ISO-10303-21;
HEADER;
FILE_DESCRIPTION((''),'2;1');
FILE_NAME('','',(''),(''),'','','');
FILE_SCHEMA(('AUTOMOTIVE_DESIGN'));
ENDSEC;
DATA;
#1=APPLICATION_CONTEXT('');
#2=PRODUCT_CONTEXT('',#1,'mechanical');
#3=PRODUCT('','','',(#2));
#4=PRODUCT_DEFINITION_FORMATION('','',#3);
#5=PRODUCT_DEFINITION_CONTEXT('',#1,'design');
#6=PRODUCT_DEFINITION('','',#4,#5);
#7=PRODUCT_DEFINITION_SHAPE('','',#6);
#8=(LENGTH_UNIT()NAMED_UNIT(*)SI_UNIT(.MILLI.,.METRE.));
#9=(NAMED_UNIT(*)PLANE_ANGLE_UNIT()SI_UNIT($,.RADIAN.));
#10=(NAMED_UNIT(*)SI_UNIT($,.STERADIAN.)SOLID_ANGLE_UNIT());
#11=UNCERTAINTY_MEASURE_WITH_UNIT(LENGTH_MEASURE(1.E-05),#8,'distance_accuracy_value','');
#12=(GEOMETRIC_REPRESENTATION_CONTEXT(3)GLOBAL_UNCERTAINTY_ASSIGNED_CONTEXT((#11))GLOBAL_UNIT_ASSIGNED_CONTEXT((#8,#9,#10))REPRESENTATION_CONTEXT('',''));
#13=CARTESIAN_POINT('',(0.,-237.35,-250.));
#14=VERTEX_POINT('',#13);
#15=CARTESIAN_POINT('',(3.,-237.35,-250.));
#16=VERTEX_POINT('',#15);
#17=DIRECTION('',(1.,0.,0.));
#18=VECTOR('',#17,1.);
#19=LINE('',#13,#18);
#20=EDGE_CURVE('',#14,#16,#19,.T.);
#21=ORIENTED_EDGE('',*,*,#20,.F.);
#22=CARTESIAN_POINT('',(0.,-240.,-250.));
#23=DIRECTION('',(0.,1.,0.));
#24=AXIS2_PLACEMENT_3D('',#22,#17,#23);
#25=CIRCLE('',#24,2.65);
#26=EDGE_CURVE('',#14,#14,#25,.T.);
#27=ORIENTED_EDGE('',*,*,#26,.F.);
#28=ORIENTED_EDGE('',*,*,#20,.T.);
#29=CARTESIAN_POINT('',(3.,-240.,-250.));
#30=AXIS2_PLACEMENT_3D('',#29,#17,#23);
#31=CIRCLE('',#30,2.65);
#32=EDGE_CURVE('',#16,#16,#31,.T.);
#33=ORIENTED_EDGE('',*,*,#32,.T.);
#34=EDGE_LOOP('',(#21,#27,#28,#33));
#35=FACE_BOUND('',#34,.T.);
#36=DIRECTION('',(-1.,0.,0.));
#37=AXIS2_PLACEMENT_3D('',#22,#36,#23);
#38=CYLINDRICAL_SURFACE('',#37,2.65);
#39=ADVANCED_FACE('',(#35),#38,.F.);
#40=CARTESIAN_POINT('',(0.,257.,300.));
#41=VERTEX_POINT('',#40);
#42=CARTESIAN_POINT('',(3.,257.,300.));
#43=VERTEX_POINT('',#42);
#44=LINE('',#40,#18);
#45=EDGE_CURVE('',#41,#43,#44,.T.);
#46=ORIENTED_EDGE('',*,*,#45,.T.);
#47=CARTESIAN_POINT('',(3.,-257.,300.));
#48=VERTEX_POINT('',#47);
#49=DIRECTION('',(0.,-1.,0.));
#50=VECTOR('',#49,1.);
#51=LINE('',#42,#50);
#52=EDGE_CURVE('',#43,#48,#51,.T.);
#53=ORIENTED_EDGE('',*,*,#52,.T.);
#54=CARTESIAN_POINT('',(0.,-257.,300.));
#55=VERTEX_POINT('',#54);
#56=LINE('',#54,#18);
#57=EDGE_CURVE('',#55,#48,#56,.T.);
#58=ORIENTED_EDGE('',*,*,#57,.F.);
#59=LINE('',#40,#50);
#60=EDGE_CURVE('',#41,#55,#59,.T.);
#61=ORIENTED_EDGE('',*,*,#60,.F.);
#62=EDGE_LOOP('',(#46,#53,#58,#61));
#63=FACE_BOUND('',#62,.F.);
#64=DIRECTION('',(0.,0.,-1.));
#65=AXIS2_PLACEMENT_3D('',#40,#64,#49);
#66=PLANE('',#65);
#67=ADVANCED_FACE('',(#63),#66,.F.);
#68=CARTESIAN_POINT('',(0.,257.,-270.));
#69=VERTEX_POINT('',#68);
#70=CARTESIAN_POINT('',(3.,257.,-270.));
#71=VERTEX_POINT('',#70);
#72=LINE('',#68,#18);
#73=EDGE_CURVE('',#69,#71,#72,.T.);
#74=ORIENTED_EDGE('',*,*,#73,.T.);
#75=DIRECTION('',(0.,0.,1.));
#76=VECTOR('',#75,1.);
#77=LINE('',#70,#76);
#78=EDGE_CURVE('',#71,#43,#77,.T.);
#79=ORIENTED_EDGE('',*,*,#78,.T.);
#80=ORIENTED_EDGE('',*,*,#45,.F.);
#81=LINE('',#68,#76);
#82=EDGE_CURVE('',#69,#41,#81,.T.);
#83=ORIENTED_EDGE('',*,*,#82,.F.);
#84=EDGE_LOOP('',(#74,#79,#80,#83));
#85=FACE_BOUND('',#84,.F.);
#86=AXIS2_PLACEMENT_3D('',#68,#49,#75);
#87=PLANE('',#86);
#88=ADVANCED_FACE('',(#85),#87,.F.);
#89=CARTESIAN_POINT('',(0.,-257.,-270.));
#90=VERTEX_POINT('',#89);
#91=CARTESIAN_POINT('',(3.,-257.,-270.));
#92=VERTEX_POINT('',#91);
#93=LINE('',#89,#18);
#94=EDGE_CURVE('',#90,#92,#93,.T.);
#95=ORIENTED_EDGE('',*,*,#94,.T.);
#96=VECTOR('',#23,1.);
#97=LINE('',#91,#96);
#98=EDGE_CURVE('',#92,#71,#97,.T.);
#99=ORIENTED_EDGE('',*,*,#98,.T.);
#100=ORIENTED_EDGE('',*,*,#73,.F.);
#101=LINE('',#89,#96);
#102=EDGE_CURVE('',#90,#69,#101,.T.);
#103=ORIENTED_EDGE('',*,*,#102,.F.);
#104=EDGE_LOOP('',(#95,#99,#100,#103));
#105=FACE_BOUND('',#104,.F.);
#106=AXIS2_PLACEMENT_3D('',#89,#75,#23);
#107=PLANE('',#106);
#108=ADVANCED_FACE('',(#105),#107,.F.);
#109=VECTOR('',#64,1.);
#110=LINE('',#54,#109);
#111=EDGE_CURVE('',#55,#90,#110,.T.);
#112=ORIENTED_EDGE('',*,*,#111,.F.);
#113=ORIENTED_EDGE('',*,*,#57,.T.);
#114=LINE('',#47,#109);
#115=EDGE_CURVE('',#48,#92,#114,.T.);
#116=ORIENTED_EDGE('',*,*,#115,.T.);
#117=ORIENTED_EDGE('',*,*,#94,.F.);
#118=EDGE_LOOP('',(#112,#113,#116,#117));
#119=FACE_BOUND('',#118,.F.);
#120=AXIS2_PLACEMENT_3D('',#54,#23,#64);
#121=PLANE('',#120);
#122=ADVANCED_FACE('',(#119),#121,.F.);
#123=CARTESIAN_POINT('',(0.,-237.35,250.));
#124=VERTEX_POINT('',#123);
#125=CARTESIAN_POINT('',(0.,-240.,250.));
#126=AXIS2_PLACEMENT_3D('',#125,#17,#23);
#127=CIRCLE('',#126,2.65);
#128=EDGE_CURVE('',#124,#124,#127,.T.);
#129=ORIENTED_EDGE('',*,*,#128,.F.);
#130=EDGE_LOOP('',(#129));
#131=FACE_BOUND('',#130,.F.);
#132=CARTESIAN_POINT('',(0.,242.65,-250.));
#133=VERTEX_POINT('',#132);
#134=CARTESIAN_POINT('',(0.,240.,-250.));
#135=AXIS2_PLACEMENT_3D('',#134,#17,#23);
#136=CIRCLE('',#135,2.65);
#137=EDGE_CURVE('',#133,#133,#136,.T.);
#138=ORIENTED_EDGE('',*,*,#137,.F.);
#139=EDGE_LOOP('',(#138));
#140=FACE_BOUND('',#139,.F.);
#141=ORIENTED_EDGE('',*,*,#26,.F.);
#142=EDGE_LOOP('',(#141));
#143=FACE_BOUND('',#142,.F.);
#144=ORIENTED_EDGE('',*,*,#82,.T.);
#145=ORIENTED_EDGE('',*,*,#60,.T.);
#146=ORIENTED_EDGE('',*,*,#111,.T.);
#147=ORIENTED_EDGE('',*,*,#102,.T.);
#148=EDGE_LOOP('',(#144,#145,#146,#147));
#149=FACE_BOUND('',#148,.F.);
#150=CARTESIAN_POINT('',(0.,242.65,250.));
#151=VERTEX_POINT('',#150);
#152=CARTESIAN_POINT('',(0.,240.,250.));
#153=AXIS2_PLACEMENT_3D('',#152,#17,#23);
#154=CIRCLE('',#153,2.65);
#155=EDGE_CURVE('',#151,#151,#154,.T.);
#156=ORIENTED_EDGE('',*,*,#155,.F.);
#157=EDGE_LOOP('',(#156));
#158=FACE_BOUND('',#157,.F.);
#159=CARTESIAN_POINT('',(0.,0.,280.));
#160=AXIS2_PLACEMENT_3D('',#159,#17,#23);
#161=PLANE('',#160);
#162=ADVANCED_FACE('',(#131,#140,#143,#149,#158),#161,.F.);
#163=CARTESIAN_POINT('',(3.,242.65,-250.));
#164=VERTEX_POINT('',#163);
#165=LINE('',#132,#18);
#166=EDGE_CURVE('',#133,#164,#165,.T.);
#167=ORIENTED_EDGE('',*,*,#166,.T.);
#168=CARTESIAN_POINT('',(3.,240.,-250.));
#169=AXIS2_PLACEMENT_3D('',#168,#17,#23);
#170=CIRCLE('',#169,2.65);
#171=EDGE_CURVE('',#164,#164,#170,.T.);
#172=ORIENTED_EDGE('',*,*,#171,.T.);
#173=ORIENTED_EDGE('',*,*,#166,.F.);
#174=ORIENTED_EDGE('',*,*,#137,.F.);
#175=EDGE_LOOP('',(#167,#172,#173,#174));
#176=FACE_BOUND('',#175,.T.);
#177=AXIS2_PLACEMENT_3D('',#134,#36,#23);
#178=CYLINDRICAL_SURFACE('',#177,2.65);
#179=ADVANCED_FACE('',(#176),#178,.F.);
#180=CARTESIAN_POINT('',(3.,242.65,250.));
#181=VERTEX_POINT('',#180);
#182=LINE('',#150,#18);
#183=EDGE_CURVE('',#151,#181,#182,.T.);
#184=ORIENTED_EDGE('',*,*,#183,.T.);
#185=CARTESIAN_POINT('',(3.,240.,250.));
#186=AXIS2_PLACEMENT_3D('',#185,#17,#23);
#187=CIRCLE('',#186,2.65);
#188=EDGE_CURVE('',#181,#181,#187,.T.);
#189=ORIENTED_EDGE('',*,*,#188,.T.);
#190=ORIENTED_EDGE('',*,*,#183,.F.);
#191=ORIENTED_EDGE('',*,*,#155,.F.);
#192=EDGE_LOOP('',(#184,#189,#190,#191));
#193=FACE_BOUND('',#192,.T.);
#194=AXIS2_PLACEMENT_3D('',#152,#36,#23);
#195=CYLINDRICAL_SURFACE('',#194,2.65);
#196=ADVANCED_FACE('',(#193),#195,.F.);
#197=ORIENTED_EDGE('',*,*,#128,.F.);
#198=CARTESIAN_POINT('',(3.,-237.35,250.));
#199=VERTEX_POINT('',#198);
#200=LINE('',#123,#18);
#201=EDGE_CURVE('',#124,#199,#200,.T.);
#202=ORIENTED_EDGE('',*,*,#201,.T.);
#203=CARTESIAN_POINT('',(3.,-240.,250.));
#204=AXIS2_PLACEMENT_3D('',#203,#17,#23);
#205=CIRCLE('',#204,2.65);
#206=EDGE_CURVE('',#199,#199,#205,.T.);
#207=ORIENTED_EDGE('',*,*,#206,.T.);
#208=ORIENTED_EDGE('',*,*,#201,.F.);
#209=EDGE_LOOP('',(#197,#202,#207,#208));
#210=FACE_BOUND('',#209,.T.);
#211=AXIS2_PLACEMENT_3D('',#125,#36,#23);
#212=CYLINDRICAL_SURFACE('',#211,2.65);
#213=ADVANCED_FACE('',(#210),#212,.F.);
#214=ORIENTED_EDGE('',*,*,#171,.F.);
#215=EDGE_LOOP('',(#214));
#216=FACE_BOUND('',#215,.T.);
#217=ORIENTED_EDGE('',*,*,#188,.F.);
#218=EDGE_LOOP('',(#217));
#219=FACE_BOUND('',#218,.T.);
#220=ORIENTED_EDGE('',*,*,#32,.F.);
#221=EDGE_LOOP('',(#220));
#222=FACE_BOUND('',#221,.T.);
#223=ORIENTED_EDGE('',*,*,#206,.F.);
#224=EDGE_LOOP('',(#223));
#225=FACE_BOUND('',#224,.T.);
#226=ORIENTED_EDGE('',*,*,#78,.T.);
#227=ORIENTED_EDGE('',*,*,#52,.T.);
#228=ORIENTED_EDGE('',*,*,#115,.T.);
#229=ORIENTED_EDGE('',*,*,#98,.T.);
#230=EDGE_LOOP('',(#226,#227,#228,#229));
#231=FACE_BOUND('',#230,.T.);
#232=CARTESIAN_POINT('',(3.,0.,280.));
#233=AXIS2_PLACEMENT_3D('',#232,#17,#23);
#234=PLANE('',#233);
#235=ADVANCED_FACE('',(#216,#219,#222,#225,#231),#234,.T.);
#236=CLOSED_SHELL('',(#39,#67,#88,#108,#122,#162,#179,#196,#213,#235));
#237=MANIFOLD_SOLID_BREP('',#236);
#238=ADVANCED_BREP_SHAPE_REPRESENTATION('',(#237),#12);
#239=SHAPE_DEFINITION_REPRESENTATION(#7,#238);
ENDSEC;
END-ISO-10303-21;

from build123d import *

# Parameters (mm, degrees)
F0_W     = 500
F0_H     = 40
F0_R     = 2.65
F1_DEPTH = 3


with BuildPart() as f1:
    # F0 (on Right) → F1 (new body)
    with BuildSketch(Plane.YZ):
        with Locations((0, 280)):
            Rectangle(F0_W, F0_H)
        Polygon((250, 260), (-250, 260), (-250, 300), (-257, 300), (-257, -260), (-257, -270), (257, -270), (257, -260), (257, 300), (250, 300), align=None)
        with Locations((-240, -250)):
            Circle(F0_R, mode=Mode.SUBTRACT)
        with Locations((240, -250)):
            Circle(F0_R, mode=Mode.SUBTRACT)
        with Locations((-240, 250)):
            Circle(F0_R, mode=Mode.SUBTRACT)
        with Locations((240, 250)):
            Circle(F0_R, mode=Mode.SUBTRACT)
    extrude(amount=F1_DEPTH)


solid = f1.part
